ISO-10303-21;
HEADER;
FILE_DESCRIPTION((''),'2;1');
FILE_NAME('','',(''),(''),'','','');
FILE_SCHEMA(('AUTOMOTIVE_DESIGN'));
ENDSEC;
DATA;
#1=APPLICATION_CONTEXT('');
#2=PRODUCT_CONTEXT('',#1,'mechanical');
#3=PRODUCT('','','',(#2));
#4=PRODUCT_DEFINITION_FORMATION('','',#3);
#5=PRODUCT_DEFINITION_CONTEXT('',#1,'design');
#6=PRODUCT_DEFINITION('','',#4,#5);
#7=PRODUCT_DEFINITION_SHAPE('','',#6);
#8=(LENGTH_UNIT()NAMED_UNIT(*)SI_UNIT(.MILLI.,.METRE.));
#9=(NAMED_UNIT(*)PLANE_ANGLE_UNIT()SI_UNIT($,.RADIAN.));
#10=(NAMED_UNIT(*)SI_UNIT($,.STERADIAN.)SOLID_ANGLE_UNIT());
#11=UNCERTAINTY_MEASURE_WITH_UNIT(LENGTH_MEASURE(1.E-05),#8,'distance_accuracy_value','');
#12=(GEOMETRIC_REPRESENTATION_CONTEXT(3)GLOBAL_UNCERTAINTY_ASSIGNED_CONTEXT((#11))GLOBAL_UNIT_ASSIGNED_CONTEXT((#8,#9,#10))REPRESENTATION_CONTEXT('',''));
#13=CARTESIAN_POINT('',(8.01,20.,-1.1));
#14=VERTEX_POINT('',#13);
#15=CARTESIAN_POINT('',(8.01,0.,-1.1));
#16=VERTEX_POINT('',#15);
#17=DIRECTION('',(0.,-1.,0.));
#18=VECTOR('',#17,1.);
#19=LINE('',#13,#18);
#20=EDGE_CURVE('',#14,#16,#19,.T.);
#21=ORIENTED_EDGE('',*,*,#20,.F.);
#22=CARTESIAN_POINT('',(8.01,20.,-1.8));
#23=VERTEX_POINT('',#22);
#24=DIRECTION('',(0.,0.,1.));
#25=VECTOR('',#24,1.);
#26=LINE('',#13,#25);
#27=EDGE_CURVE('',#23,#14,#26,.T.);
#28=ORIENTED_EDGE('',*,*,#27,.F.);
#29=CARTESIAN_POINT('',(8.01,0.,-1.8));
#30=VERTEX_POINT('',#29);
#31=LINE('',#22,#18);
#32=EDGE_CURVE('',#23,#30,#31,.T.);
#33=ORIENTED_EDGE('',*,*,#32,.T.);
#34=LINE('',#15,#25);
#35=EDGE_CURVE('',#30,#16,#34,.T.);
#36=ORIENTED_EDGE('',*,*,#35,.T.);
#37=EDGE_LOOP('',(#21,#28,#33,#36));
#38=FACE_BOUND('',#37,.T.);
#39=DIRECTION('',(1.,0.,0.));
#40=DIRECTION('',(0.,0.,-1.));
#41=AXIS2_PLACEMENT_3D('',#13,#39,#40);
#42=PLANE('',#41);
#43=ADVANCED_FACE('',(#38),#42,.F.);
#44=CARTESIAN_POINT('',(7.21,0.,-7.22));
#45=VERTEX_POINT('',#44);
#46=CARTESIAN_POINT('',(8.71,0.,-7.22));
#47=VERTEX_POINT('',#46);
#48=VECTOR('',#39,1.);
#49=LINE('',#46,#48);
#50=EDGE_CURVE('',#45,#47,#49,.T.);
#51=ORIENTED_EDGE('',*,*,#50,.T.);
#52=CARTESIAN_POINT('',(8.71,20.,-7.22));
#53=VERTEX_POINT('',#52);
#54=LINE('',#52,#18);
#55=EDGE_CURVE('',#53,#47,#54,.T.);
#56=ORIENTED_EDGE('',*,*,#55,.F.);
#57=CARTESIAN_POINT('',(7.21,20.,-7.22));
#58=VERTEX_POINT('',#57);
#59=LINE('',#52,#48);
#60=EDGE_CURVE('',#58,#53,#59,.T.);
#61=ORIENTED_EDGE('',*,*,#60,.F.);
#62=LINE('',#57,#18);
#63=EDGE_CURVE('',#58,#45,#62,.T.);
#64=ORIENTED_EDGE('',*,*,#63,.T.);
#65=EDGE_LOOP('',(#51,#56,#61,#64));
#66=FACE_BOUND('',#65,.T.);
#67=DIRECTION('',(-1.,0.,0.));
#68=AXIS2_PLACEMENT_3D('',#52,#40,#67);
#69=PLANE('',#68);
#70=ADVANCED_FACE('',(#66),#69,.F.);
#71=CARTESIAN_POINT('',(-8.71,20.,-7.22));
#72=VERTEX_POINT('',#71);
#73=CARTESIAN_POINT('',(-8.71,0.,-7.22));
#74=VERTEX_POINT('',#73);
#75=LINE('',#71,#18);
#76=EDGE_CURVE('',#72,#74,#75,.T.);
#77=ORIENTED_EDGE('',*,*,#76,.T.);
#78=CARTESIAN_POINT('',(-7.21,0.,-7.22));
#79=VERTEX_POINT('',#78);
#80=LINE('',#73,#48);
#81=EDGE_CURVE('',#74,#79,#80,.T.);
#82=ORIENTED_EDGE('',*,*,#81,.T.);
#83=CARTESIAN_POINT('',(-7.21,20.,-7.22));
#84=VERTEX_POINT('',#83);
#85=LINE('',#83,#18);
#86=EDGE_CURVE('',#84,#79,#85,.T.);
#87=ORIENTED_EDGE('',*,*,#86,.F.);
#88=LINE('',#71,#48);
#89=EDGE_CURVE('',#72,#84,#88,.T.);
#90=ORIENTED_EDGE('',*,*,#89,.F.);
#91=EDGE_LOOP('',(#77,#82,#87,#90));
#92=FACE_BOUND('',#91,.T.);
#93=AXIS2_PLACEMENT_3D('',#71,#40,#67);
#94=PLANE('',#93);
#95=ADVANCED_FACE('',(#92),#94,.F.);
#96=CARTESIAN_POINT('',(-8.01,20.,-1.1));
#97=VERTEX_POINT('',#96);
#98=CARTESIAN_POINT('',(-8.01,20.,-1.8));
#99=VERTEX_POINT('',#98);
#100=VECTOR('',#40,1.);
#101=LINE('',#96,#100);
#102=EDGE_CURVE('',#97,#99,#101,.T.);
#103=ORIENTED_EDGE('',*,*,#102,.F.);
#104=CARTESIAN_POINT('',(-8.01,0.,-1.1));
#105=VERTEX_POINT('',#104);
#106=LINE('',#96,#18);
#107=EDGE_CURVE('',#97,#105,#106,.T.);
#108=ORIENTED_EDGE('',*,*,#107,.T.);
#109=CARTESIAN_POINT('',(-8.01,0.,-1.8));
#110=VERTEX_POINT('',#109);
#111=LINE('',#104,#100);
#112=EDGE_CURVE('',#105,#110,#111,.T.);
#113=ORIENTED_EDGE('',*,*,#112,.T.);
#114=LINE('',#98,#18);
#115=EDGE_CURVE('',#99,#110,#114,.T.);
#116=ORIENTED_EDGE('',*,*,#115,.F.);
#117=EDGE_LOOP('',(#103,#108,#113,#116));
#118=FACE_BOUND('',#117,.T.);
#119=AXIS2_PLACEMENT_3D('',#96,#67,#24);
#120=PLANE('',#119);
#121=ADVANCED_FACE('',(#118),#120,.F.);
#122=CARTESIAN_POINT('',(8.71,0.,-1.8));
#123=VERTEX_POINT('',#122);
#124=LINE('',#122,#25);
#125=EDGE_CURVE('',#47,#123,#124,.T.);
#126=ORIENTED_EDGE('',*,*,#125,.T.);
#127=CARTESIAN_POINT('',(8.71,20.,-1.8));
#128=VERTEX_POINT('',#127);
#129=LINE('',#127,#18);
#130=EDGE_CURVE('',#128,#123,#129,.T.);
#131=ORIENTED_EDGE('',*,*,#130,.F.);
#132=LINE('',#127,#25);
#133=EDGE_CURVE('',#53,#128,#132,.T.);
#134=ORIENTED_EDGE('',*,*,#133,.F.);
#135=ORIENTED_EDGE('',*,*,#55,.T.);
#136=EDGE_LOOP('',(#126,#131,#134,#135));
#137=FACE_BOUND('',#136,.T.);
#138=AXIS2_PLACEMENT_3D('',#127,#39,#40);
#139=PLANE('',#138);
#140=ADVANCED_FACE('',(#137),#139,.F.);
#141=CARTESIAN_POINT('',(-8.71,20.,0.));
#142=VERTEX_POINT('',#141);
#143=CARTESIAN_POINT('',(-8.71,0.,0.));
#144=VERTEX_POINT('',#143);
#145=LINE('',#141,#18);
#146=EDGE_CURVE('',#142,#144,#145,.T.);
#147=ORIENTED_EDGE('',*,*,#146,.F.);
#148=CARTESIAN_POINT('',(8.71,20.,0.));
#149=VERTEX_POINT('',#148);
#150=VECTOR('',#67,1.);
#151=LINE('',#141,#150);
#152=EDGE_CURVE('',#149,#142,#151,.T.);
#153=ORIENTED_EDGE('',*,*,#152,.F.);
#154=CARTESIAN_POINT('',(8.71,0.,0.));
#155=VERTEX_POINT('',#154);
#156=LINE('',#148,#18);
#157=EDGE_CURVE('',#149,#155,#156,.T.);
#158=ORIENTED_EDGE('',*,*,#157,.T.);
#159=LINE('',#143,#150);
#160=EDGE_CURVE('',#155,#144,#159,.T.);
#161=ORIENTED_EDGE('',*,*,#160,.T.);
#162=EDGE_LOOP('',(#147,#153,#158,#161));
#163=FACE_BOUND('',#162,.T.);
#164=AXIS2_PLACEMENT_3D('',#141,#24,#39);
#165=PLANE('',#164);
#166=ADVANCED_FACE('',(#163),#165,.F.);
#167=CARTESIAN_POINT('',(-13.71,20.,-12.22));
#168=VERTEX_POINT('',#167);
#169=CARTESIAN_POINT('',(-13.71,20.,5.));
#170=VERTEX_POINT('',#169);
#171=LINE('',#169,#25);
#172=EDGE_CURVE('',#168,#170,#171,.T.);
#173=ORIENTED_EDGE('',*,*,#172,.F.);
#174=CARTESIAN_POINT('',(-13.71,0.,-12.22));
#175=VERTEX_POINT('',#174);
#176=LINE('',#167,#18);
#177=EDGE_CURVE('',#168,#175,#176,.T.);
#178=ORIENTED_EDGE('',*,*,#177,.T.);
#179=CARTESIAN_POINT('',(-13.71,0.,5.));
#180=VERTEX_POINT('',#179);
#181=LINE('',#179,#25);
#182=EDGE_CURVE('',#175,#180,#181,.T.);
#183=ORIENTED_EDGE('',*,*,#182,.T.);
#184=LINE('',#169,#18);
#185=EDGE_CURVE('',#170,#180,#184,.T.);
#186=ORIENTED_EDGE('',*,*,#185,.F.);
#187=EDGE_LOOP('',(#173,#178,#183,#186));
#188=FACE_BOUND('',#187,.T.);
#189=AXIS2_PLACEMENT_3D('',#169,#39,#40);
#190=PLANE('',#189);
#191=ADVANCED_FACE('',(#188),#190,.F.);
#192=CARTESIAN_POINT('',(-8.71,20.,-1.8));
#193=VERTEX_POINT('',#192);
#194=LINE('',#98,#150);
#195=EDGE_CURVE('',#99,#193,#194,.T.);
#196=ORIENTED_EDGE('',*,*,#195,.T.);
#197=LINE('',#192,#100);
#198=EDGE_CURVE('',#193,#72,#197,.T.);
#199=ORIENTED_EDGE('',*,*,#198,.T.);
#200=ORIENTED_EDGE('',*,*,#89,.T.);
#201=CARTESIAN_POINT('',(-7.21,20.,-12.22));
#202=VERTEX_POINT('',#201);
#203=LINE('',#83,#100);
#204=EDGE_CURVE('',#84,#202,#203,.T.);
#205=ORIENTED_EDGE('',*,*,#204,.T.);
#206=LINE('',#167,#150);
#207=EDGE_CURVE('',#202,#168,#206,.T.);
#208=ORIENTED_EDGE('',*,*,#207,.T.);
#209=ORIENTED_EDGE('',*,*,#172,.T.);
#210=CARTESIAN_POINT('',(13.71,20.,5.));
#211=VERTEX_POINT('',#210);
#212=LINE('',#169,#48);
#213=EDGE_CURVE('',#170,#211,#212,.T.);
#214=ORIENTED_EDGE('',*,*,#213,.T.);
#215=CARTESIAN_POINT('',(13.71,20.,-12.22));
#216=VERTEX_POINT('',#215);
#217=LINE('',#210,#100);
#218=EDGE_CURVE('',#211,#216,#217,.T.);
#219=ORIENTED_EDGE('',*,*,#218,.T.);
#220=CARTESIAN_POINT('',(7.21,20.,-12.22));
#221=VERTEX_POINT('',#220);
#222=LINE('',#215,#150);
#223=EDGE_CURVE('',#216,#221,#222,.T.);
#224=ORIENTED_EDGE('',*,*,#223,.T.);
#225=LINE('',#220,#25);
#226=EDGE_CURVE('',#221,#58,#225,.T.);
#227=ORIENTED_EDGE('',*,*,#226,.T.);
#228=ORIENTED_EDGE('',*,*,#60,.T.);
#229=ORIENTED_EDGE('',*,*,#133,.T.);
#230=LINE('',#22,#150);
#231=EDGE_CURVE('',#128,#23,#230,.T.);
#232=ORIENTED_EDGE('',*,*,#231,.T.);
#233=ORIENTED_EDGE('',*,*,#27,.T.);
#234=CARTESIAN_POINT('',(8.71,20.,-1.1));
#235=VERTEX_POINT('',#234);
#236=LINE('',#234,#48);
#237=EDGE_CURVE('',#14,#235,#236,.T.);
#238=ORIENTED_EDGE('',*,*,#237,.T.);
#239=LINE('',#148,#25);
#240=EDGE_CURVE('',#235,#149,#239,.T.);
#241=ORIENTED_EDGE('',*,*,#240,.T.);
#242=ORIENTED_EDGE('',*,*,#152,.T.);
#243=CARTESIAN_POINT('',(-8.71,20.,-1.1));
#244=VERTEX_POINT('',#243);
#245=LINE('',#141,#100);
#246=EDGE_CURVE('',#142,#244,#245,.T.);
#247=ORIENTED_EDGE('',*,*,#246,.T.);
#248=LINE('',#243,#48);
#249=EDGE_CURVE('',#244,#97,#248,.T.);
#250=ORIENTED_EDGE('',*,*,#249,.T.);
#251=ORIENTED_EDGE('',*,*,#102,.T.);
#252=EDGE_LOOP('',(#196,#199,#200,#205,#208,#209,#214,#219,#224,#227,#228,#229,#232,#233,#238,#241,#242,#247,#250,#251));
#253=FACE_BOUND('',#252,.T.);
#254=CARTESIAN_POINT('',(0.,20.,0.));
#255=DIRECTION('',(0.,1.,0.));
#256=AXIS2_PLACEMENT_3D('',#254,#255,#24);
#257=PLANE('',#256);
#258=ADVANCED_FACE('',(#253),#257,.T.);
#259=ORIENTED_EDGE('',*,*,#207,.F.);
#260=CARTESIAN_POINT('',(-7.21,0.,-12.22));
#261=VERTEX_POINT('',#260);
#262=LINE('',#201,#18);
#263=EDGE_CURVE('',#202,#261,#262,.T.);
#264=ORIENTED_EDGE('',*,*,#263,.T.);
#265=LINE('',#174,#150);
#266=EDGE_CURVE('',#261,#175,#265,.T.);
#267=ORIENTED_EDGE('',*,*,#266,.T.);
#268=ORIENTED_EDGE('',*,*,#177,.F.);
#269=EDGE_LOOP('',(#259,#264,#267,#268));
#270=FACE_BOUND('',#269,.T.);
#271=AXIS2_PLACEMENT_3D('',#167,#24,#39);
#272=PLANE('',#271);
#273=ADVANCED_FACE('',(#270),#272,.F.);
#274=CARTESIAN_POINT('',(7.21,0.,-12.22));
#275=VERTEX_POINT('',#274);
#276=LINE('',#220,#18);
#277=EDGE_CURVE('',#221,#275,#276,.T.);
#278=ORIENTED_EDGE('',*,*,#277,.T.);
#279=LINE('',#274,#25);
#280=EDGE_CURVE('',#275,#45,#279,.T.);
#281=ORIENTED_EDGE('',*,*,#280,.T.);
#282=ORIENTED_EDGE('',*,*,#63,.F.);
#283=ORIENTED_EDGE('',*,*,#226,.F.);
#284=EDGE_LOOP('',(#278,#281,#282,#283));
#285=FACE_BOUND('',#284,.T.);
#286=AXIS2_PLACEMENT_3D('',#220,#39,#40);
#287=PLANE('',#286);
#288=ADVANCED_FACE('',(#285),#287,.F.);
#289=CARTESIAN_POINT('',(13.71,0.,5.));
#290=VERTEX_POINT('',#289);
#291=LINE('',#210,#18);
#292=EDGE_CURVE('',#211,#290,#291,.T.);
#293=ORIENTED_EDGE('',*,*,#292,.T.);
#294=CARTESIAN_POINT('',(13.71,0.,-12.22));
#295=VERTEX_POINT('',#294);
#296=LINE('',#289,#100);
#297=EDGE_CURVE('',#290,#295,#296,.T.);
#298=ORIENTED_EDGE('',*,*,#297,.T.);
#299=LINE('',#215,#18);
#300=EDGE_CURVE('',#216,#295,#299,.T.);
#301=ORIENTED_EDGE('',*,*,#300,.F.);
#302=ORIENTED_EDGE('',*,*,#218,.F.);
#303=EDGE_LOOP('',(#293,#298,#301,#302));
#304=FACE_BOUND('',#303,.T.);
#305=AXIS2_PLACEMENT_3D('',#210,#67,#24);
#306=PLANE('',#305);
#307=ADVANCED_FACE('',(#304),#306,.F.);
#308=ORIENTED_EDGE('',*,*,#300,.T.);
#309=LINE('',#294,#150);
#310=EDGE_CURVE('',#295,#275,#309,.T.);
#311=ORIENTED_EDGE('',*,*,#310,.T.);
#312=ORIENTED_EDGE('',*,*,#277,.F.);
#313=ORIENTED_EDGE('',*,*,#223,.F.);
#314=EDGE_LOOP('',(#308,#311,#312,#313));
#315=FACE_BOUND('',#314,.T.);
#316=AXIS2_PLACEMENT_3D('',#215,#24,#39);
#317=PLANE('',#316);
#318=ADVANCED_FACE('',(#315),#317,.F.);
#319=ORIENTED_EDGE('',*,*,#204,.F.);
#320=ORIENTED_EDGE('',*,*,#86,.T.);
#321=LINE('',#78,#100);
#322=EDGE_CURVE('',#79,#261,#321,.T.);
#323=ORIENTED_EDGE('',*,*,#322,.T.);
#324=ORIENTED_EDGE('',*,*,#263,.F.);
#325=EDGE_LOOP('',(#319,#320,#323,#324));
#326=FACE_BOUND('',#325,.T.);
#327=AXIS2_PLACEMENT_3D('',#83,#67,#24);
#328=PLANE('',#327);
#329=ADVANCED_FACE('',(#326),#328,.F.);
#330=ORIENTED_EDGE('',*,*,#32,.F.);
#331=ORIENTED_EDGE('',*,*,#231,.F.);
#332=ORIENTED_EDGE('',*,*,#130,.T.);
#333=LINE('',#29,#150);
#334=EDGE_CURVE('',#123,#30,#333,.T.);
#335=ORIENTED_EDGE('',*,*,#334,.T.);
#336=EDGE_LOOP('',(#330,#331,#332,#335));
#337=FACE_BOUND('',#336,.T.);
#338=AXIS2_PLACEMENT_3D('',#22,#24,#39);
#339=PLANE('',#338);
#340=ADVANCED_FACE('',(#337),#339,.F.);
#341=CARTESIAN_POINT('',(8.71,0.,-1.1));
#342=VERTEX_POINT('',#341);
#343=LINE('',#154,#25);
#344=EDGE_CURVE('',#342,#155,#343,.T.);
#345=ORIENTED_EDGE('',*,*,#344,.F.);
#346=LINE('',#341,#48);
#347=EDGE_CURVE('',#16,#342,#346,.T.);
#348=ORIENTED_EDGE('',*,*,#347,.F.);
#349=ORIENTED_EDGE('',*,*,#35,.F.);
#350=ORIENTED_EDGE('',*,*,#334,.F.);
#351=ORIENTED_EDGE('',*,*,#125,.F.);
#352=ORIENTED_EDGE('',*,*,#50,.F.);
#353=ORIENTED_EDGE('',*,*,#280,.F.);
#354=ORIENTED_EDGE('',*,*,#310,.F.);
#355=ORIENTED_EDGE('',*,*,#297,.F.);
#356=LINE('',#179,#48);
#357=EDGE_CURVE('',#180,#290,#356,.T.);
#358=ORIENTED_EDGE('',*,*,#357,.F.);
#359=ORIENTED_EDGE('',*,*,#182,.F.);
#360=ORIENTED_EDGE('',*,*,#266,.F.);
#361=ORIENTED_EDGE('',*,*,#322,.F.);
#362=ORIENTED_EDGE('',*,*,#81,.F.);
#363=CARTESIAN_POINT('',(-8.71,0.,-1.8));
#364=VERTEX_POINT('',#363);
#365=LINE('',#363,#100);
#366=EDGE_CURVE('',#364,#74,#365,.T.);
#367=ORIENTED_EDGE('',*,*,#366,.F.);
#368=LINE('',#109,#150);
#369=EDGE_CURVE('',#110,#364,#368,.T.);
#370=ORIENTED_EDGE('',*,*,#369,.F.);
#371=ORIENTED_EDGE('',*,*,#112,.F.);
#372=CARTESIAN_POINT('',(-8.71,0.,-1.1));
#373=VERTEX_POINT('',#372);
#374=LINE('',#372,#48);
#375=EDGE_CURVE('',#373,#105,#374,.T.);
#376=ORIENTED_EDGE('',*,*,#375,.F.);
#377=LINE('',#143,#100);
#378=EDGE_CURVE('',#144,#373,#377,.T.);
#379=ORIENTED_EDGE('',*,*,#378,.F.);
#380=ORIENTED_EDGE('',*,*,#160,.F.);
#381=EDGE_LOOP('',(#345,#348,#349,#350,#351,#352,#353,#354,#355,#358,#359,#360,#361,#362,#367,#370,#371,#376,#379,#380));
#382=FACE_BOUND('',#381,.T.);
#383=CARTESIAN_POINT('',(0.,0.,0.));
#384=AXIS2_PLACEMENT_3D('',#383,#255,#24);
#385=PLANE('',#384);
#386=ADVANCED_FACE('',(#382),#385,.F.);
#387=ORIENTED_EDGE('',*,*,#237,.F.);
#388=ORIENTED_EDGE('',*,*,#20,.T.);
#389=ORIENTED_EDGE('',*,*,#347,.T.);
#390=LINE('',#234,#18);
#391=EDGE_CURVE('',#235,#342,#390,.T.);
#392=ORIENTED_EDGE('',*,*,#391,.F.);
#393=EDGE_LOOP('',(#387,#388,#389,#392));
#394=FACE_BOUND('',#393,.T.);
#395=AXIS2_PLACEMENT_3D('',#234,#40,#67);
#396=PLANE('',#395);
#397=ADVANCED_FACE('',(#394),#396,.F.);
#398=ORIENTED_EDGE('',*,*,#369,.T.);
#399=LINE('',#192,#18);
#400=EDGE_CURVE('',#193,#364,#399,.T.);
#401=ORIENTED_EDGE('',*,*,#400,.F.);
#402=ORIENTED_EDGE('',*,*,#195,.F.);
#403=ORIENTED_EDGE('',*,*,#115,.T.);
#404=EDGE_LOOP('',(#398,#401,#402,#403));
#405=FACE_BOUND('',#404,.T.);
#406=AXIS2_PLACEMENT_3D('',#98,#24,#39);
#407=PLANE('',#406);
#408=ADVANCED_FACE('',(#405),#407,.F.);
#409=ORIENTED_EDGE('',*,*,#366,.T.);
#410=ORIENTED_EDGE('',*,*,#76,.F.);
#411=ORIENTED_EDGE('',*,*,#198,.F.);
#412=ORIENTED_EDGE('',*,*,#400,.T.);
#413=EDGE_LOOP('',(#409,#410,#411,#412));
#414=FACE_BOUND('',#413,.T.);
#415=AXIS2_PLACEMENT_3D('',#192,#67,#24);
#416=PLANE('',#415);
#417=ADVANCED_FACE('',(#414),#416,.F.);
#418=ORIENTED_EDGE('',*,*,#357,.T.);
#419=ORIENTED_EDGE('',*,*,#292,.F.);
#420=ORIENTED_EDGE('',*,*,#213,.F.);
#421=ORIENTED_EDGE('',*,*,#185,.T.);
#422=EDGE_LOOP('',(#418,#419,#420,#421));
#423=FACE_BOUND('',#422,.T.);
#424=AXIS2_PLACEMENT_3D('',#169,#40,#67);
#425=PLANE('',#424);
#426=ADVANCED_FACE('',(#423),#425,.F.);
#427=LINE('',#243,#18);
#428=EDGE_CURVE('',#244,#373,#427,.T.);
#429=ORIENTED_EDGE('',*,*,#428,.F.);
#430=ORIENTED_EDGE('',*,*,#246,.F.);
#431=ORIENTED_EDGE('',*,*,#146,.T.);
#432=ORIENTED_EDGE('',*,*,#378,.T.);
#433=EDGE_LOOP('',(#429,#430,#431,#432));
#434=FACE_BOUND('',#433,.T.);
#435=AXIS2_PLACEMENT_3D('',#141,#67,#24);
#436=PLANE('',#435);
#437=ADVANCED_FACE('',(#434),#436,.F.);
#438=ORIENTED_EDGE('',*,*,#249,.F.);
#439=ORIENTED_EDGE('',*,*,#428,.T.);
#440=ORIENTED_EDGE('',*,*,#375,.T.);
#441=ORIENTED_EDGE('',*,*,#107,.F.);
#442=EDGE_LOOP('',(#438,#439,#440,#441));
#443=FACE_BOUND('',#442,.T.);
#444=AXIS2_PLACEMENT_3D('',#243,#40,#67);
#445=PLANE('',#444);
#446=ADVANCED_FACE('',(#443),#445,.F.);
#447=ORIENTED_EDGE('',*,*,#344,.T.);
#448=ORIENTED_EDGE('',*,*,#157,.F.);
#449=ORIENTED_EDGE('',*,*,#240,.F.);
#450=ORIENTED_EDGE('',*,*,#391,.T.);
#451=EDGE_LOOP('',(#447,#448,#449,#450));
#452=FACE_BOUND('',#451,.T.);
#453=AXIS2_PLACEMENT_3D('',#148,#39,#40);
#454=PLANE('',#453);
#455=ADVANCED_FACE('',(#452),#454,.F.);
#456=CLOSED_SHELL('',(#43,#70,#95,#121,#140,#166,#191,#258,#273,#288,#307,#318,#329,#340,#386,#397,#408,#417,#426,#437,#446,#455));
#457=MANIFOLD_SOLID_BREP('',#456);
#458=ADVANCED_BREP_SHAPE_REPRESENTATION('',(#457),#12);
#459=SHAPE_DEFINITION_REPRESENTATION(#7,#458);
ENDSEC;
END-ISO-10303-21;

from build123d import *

# Parameters (mm, degrees)
BOSS_EXTRUDE1_DEPTH = 20


with BuildPart() as part:
    # Sketch1 → Boss-Extrude1 (new body)
    with BuildSketch(Plane(origin=(0, 0, 0), x_dir=(1, 0, 0), z_dir=(0, 1, 0))):
        Polygon((-8.71, 0), (8.71, 0), (8.71, 1.1), (8.01, 1.1), (8.01, 1.8), (8.71, 1.8), (8.71, 7.22), (7.21, 7.22), (7.21, 12.22), (13.71, 12.22), (13.71, -5), (-13.71, -5), (-13.71, 12.22), (-7.21, 12.22), (-7.21, 7.22), (-8.71, 7.22), (-8.71, 1.8), (-8.01, 1.8), (-8.01, 1.1), (-8.71, 1.1), align=None)
    extrude(amount=BOSS_EXTRUDE1_DEPTH)


solid = part.part
